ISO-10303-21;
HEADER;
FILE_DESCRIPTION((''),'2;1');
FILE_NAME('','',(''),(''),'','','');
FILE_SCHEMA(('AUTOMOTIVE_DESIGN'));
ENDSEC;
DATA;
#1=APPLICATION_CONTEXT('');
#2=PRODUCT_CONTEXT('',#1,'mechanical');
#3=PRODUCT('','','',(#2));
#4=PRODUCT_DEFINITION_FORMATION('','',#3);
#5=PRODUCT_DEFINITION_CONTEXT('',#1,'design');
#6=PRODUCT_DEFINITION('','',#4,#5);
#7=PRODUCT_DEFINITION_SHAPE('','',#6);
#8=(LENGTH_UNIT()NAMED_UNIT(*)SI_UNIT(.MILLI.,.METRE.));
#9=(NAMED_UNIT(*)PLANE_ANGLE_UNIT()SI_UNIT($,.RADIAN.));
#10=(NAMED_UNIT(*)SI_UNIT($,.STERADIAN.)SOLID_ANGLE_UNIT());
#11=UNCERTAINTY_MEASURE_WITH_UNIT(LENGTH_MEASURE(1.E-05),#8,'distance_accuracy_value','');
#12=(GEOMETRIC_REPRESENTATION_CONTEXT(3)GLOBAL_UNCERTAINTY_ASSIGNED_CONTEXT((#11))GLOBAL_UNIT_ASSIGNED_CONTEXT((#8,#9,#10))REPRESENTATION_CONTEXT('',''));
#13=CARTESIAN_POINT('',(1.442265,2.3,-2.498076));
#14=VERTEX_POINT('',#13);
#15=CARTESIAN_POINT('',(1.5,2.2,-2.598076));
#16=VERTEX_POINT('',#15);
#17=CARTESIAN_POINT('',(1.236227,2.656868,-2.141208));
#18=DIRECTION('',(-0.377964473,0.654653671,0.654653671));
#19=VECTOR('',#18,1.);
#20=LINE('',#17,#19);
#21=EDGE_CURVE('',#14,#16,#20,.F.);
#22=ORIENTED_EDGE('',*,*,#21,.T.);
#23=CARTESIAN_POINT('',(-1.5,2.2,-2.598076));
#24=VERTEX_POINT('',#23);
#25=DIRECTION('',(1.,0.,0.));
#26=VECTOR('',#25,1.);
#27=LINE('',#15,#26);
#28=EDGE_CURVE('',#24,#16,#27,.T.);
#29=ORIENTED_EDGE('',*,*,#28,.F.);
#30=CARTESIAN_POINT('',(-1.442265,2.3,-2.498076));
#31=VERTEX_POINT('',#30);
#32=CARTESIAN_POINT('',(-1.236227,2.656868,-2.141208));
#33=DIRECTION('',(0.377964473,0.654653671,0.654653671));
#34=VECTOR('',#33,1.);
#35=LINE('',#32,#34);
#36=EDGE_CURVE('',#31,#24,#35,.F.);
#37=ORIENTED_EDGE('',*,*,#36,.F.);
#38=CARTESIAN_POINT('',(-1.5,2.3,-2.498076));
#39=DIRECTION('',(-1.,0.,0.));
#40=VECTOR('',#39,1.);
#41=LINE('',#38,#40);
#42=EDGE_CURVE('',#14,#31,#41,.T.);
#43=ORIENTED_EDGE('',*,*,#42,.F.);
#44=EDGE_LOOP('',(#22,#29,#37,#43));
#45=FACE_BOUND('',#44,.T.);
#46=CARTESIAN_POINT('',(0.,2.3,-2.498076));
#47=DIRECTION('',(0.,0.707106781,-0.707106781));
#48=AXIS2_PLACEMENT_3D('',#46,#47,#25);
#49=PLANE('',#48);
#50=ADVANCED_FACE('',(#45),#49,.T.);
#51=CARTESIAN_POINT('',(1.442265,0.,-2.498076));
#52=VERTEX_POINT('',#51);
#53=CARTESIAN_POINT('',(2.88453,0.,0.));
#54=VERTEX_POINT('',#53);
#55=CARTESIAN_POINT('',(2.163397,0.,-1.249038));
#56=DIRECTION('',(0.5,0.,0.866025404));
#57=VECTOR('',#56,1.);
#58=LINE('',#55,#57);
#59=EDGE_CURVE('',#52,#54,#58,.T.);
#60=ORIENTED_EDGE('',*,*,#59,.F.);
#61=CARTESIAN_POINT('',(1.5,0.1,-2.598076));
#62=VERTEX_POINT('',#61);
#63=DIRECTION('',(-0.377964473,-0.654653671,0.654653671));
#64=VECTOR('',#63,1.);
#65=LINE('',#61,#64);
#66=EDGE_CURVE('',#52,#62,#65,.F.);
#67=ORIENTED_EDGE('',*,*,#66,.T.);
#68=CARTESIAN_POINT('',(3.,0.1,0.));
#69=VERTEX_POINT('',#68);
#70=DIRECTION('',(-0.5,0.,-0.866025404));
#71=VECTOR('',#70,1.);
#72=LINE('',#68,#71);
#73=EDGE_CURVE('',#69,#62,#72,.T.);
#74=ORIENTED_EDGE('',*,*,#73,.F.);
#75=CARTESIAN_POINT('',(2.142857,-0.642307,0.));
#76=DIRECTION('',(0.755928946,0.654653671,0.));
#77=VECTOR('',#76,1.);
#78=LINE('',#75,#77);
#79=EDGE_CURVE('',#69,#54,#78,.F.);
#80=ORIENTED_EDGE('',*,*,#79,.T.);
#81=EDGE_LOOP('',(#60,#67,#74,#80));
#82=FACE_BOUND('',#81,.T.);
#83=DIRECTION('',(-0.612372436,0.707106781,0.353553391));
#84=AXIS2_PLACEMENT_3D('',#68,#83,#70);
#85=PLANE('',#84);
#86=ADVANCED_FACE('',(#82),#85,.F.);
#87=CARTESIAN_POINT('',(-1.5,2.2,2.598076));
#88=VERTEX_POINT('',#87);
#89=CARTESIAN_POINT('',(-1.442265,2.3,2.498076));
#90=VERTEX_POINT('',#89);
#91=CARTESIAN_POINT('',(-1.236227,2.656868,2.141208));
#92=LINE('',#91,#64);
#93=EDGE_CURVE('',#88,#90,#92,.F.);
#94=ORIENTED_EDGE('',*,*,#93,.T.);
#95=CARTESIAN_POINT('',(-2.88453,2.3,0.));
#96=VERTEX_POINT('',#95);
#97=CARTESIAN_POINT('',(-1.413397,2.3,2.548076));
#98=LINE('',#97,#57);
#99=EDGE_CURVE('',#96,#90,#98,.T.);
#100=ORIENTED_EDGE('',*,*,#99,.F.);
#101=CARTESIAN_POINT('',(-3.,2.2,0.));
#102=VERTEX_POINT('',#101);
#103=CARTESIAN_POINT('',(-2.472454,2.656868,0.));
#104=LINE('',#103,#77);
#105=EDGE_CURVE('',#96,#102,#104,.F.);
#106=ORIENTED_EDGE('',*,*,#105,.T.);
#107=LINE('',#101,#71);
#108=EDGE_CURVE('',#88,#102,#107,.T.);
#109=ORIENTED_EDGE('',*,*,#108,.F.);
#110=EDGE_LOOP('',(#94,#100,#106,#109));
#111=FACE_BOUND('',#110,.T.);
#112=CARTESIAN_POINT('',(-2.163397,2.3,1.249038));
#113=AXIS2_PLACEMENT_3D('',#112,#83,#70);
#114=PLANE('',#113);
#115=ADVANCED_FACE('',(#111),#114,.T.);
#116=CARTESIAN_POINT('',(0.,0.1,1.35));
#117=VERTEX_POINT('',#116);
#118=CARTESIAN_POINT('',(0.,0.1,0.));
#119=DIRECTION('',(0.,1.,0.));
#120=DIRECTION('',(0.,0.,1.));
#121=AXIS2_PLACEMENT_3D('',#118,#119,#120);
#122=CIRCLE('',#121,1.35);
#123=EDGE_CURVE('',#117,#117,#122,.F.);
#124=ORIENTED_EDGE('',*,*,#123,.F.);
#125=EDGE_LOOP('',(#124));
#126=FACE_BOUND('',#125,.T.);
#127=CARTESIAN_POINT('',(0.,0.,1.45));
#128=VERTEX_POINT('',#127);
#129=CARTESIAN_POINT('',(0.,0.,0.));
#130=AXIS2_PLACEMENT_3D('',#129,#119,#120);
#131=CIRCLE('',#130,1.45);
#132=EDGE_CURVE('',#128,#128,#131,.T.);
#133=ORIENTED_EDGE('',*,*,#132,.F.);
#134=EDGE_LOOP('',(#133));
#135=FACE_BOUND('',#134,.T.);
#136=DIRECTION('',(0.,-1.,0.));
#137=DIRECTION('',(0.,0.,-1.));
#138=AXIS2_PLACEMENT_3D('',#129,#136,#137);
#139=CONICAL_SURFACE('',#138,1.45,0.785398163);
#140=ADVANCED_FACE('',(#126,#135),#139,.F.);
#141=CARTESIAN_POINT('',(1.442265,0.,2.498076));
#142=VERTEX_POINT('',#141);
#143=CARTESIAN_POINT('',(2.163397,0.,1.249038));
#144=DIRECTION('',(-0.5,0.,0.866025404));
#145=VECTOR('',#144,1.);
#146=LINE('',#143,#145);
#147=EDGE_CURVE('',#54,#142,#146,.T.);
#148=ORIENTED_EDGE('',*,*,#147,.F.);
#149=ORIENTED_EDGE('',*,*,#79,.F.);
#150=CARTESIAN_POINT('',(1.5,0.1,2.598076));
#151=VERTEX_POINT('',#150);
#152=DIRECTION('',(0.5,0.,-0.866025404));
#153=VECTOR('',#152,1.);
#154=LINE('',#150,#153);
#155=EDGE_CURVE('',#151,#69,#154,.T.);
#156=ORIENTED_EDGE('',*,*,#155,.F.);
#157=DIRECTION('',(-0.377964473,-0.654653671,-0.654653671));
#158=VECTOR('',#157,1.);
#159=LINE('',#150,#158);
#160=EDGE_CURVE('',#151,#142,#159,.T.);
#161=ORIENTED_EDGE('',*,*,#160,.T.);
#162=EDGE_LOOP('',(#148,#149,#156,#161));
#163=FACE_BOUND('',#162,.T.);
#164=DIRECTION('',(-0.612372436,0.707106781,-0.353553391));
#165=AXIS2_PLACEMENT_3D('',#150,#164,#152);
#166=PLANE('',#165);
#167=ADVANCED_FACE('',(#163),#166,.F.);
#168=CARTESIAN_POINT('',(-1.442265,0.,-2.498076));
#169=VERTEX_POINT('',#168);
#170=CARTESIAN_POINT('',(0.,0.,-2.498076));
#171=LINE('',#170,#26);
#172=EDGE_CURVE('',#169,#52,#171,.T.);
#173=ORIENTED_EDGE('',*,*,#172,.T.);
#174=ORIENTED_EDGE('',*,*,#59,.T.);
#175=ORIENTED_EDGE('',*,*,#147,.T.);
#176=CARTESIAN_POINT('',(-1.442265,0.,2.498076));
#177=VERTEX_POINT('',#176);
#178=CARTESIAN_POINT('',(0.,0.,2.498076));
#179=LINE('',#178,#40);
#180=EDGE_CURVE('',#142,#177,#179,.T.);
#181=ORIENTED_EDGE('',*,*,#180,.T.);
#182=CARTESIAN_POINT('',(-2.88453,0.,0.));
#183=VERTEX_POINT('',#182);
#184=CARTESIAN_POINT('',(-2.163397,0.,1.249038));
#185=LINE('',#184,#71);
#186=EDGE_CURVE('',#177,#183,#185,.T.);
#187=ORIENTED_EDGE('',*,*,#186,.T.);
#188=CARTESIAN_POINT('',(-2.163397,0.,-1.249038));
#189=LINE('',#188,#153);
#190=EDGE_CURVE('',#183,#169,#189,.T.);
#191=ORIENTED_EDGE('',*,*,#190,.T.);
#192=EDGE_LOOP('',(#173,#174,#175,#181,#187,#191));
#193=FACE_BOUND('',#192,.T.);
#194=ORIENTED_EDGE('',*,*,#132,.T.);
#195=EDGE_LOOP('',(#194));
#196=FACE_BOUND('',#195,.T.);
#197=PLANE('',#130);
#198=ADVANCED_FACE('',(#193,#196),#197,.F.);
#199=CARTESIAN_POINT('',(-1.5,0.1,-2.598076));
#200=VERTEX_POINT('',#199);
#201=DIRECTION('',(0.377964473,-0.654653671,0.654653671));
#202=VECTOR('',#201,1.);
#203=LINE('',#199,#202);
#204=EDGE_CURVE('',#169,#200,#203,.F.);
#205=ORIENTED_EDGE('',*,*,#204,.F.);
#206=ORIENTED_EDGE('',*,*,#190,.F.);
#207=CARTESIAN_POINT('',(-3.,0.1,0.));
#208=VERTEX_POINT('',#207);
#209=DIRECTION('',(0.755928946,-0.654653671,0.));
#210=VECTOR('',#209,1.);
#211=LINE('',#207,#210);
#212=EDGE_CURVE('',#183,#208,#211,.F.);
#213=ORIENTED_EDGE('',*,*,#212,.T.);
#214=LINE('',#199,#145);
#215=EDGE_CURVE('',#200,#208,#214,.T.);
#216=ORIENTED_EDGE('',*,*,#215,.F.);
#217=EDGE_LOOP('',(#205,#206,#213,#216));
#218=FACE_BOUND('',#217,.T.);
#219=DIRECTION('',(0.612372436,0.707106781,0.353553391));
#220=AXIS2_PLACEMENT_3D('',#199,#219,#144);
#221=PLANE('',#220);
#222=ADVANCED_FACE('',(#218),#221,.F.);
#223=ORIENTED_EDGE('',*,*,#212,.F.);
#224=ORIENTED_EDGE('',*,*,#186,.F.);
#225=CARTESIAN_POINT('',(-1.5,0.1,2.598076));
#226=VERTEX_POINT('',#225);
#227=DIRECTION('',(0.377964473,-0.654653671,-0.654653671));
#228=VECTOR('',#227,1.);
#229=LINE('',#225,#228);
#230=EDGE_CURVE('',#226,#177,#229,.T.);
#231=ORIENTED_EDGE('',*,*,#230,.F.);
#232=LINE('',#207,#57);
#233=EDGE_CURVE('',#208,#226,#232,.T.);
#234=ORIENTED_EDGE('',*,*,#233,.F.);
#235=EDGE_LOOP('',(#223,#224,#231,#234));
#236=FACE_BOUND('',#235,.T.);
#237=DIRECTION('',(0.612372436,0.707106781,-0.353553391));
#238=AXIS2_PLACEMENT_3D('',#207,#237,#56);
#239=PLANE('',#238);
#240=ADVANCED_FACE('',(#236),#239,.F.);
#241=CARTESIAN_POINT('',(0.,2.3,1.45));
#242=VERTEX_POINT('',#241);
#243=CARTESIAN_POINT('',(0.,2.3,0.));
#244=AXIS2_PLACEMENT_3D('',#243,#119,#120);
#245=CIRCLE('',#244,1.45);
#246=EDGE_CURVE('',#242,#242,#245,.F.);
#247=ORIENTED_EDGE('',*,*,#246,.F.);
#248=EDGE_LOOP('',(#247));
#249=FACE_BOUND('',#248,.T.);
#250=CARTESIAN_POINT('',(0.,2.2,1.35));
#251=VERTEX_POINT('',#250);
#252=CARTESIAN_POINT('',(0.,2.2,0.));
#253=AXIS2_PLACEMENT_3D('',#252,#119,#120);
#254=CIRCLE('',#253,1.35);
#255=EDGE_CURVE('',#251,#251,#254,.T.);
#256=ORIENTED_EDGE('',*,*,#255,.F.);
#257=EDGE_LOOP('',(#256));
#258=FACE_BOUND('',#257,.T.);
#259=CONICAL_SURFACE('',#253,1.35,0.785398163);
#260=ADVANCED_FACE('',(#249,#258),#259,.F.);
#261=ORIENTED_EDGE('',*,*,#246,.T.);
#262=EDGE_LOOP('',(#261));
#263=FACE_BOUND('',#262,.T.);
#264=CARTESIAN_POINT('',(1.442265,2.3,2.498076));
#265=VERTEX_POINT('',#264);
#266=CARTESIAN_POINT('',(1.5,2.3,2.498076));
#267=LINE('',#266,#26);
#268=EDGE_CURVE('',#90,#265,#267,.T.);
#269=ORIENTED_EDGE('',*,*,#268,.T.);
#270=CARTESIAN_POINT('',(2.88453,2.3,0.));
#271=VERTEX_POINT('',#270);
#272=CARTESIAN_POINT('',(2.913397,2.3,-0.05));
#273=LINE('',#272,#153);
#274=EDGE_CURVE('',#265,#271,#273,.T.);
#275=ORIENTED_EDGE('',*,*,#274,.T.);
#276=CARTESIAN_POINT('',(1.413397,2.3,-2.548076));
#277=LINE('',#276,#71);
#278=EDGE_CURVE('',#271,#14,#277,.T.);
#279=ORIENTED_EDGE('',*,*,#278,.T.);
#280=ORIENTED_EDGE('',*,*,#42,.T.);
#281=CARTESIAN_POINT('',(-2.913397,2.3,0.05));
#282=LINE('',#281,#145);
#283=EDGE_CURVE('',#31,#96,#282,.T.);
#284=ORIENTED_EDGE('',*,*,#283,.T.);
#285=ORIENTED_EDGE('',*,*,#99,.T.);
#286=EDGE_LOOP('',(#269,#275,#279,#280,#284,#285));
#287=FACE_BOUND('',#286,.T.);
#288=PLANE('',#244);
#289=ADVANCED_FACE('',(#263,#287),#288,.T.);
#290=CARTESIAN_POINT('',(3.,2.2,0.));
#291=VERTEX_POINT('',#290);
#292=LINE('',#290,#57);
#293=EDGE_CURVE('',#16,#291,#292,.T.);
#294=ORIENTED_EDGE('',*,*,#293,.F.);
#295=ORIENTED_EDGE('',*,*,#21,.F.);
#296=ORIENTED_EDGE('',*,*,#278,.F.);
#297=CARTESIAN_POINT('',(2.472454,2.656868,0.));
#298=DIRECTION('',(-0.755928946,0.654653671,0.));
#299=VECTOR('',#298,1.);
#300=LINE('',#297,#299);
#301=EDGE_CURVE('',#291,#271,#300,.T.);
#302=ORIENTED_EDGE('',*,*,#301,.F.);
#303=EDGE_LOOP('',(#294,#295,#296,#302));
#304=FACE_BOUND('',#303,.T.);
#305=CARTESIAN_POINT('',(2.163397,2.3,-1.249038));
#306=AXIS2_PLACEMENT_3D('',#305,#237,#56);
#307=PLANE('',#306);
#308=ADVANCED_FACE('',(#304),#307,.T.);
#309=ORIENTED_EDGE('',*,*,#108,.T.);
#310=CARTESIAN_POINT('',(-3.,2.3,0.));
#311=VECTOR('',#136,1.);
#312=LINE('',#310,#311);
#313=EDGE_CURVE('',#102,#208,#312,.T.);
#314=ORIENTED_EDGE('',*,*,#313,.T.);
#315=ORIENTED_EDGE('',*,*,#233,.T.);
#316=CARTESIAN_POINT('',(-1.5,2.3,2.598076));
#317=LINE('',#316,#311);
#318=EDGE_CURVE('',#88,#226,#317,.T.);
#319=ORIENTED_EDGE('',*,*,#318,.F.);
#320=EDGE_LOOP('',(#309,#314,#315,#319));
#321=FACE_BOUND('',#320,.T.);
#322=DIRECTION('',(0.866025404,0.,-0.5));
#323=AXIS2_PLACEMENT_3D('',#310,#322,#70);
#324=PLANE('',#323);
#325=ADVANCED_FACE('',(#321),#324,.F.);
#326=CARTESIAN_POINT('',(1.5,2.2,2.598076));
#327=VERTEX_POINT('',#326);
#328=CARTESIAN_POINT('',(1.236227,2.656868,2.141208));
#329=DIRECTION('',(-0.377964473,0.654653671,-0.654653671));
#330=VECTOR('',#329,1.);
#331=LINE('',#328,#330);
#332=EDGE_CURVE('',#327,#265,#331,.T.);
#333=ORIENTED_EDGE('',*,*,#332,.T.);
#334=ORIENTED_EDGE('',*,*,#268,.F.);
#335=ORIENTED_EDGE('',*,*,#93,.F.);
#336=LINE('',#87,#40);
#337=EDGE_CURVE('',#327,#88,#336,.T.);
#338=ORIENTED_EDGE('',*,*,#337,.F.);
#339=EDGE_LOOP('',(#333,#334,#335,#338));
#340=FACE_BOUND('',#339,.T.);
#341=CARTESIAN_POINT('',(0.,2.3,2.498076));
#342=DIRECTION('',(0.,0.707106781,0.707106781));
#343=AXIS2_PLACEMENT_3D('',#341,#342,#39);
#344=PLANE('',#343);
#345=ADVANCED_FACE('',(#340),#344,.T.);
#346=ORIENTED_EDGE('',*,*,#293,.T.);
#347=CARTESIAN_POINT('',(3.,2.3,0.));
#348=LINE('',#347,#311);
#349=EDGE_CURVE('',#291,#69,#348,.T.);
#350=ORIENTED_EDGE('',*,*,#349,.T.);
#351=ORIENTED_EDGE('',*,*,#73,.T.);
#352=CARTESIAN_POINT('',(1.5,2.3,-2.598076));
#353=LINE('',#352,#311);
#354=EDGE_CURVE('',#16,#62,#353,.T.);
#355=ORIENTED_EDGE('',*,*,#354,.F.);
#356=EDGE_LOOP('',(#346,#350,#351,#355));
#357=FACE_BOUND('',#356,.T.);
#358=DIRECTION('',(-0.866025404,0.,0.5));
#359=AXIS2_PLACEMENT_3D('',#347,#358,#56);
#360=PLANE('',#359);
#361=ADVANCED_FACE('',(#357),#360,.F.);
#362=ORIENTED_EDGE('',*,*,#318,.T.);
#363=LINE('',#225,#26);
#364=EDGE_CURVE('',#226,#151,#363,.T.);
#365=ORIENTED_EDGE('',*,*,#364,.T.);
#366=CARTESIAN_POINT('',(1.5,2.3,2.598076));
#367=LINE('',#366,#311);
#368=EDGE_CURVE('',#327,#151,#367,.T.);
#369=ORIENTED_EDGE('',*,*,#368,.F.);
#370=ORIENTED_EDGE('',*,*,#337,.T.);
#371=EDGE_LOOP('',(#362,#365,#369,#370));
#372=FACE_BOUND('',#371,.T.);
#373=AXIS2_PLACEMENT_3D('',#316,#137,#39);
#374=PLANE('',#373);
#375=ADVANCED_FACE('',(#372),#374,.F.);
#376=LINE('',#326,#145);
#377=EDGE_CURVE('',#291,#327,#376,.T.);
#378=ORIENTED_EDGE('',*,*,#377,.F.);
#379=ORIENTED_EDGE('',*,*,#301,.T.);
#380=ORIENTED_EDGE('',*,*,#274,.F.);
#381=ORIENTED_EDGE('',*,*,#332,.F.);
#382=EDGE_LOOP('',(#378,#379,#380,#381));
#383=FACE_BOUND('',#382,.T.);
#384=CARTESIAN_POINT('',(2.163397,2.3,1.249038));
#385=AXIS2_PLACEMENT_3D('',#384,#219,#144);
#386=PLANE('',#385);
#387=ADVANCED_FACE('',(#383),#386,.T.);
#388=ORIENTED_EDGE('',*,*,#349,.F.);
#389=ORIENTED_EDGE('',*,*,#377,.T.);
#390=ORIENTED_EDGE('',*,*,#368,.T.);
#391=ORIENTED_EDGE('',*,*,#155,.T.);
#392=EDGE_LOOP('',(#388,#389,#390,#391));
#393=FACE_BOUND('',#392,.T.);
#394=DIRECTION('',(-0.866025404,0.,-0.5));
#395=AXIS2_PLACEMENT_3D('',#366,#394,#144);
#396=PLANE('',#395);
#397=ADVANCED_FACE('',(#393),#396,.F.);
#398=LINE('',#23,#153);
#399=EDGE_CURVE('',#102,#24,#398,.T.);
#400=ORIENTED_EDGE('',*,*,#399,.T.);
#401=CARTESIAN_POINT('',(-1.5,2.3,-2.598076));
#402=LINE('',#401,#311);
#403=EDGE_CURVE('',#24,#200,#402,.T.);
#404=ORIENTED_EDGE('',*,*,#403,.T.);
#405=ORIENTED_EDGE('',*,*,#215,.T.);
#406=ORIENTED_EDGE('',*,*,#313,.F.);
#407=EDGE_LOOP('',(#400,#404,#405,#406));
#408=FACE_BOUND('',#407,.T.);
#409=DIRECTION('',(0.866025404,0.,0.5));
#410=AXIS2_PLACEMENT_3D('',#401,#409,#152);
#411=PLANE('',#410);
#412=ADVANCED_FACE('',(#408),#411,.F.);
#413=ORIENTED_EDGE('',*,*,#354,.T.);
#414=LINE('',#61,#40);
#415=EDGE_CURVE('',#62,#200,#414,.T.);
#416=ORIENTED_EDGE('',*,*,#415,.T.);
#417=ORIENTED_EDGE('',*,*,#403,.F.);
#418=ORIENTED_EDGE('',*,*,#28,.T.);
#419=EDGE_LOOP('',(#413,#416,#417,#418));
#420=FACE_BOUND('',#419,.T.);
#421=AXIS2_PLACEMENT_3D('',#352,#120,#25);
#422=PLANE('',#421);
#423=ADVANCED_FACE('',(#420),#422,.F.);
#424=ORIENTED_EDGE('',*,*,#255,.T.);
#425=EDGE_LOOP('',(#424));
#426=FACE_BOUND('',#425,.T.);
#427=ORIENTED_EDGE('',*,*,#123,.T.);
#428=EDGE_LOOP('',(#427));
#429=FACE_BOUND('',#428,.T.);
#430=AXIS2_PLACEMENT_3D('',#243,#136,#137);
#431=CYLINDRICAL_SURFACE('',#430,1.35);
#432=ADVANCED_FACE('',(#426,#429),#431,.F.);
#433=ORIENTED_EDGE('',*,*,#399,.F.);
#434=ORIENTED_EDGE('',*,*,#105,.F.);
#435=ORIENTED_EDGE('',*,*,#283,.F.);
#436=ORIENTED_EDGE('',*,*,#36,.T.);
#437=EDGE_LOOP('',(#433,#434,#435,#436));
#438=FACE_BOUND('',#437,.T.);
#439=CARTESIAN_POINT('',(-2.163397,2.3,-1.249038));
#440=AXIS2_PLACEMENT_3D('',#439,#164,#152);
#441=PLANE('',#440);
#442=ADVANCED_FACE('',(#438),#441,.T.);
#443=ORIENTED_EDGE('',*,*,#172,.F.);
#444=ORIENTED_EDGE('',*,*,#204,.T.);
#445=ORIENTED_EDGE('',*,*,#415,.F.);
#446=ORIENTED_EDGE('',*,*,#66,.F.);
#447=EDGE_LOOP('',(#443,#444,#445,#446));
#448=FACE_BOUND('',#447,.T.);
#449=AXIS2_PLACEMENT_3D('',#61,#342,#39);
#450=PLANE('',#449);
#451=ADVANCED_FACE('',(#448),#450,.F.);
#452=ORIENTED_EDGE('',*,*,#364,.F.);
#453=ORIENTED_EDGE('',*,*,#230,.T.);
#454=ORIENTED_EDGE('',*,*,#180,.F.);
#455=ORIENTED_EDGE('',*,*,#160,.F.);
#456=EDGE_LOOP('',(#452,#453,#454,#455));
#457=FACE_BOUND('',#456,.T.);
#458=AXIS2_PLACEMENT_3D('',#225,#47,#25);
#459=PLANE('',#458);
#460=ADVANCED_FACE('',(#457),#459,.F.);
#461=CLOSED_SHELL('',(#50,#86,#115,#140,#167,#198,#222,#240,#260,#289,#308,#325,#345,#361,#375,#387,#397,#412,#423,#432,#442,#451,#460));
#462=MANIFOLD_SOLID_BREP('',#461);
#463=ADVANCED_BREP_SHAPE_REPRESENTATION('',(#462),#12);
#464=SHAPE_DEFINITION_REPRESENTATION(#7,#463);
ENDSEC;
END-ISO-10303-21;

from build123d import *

# Parameters (mm, degrees)
SKETCH_1_R      = 1.35
EXTRUDE_1_DEPTH = 2.3
CHAMFER_1_SIZE  = 0.1


with BuildPart() as part:
    # Эскиз1 → Бобышка-Вытянуть1 (new body)
    with BuildSketch(Plane(origin=(0, 0, 0), x_dir=(1, 0, 0), z_dir=(0, 1, 0))):
        Polygon((3, 0), (1.5, 2.598076211), (-1.5, 2.598076211), (-3, 0), (-1.5, -2.598076211), (1.5, -2.598076211), align=None)
        Circle(SKETCH_1_R, mode=Mode.SUBTRACT)
    extrude(amount=EXTRUDE_1_DEPTH)

    # Фаска1
    chamfer_1_edges = [part.edges().sort_by_distance(p)[0] for p in [
        (0, 2.3, -2.598076211),
        (-2.25, 2.3, -1.299038106),
        (-2.25, 2.3, 1.299038106),
        (-1.35, 0, 0),
        (-1.35, 2.3, 0),
        (0, 2.3, 2.598076211),
        (2.25, 2.3, 1.299038106),
        (0, 0, 2.598076211),
        (-2.25, 0, 1.299038106),
        (-2.25, 0, -1.299038106),
        (2.25, 2.3, -1.299038106),
        (0, 0, -2.598076211),
        (2.25, 0, -1.299038106),
        (2.25, 0, 1.299038106),
    ]]
    chamfer(chamfer_1_edges, length=CHAMFER_1_SIZE)


solid = part.part
